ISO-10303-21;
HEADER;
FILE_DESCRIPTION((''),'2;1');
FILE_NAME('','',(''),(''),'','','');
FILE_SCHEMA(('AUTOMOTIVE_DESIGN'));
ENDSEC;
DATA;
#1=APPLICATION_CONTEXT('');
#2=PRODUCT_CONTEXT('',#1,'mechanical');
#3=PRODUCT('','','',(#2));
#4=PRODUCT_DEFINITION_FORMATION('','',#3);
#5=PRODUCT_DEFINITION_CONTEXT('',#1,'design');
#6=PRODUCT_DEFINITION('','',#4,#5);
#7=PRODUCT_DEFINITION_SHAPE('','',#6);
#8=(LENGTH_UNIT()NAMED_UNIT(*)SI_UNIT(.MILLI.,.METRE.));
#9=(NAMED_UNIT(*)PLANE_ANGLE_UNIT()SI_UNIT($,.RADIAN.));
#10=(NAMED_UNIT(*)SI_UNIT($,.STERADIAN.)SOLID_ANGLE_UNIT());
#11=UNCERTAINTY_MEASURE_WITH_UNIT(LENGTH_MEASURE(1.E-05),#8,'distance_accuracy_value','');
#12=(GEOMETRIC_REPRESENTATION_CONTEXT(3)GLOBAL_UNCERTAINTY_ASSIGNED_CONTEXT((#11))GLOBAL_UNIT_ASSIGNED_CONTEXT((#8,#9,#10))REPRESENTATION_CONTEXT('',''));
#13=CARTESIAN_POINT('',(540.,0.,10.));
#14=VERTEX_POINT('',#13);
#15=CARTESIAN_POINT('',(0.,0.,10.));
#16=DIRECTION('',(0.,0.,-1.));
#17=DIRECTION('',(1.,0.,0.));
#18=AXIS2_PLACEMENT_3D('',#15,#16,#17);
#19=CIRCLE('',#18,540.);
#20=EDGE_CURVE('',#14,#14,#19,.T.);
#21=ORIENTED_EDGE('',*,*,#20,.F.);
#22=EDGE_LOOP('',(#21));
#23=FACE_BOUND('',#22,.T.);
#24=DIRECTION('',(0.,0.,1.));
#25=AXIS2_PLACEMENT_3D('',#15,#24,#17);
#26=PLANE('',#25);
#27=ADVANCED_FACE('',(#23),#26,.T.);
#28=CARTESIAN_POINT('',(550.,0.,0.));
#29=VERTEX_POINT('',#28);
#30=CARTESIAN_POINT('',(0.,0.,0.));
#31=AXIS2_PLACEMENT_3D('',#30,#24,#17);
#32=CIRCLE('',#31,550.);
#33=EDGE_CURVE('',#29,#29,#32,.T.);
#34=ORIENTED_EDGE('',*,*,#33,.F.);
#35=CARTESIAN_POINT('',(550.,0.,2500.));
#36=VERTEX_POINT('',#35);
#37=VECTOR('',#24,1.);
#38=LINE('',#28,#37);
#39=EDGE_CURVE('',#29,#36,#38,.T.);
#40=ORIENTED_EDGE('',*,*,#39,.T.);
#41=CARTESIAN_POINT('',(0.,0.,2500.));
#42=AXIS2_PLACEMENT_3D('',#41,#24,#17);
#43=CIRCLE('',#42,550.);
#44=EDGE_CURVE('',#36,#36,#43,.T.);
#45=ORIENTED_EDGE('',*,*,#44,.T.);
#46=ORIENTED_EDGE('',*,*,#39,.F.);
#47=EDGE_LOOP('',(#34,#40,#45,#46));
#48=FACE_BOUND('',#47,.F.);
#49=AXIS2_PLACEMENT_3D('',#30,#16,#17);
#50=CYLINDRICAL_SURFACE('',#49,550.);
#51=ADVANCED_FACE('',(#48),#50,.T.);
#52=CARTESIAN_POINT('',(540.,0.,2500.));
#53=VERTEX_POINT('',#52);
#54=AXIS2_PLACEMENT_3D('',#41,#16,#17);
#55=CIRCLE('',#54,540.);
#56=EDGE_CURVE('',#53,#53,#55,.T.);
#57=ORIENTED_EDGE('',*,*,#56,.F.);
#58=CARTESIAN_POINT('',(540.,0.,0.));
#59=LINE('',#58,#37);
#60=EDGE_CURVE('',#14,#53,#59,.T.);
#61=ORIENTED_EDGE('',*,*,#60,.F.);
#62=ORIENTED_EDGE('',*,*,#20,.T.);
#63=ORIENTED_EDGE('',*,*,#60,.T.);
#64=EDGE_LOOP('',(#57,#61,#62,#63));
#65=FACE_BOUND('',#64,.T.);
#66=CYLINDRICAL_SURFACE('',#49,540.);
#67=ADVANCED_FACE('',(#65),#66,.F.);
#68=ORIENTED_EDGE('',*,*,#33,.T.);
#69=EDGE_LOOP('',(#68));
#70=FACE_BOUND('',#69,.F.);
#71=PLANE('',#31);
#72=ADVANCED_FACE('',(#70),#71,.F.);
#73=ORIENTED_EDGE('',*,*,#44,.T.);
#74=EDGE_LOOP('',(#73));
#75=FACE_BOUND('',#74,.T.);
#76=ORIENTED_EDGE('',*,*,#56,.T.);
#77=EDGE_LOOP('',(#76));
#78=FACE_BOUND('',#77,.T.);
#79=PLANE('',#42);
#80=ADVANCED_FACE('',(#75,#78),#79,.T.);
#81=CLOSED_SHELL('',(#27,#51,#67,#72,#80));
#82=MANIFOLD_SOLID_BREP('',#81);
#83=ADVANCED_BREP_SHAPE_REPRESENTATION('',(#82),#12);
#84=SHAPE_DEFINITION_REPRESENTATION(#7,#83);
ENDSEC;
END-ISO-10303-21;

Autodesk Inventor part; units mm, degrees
ref_plane "YZ Plane" through (0, 0, 0) normal (1, 0, 0) x (0, 1, 0)
ref_plane "XZ Plane" through (0, 0, 0) normal (0, 1, 0) x (-1, 0, 0)
ref_plane "XY Plane" through (0, 0, 0) normal (0, 0, 1) x (1, 0, 0)
sketch "Sketch1" plane through (0, 0, 0) normal (0, 0, 1) x (1, 0, 0)
  circle A0 centre (0, 0) radius 550
  dimension "d0" = 1100
extrude "Extrusion1" add sketch "Sketch1" along normal blind 2500
shell "Shell1" thickness 10 removed faces 1 at (-134.5247, 143.7522, 2500)
properties part number "BSH 01 foam filter"
